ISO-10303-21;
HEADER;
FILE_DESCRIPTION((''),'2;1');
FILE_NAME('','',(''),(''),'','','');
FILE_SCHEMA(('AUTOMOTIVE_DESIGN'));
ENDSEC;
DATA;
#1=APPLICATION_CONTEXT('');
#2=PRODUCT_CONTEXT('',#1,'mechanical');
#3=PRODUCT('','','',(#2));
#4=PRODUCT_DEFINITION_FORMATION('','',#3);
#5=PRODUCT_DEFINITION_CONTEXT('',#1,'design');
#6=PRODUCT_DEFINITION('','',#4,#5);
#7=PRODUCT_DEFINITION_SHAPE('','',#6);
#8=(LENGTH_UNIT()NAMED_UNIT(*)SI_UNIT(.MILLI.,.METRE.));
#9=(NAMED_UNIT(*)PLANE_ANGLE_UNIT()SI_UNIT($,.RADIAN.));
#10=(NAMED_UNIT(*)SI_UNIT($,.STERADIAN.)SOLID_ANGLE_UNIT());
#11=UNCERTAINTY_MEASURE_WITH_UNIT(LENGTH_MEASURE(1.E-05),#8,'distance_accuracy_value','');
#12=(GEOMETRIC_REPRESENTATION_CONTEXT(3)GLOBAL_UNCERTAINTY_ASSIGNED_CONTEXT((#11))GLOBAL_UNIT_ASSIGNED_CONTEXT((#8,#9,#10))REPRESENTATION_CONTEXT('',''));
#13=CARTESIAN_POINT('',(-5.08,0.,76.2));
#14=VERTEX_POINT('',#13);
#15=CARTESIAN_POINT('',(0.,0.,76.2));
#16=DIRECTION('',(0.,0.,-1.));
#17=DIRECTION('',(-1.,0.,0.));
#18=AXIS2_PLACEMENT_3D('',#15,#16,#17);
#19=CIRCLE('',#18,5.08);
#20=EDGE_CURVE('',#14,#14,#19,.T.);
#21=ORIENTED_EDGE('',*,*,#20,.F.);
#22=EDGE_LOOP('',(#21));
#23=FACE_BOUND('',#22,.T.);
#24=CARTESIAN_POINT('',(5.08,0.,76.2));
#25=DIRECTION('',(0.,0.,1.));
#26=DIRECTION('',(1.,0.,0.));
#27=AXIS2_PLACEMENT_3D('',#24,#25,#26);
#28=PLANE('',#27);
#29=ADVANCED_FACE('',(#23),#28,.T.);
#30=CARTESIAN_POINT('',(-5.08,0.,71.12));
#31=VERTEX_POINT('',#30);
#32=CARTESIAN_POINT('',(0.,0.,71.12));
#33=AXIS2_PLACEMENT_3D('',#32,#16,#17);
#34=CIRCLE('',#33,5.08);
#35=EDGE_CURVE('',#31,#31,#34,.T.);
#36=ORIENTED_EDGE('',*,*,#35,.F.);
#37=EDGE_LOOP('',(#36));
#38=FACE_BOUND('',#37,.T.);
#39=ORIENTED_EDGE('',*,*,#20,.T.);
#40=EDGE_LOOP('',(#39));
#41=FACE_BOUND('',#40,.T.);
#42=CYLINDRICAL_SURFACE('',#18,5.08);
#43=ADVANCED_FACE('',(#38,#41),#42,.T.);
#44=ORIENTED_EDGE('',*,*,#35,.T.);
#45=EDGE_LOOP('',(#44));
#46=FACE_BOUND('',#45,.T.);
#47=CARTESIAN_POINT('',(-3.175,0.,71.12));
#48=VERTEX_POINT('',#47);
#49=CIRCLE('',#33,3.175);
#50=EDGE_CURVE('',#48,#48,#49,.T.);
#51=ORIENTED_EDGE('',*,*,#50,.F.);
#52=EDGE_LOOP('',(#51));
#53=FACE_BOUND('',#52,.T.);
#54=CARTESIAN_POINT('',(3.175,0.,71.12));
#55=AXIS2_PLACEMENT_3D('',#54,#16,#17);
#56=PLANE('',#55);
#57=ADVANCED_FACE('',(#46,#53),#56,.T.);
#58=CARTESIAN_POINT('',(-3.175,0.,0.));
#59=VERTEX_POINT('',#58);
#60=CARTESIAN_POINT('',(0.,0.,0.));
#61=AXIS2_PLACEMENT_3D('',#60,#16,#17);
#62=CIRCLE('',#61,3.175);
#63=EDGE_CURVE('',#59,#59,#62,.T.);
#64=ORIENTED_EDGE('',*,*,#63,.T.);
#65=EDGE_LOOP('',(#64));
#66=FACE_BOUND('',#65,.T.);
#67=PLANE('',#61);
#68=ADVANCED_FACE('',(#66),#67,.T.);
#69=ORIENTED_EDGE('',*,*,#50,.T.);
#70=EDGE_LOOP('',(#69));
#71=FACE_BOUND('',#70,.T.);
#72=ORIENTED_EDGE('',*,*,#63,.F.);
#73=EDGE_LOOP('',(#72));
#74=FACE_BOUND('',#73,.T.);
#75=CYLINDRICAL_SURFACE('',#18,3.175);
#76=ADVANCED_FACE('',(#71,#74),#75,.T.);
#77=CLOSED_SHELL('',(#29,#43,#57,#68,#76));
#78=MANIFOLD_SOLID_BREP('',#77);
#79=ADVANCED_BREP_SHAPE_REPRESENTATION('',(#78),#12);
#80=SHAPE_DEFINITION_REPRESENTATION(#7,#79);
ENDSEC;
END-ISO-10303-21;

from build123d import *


with BuildPart() as part:
    # Sketch1 → Revolve1 (revolve)
    with BuildSketch(Plane.XZ, mode=Mode.PRIVATE) as revolve1_sk:
        Polygon((5.08, 76.2), (0, 76.2), (0, 0), (3.175, 0), (3.175, 71.12), (5.08, 71.12), align=None)
    revolve(revolve1_sk.sketch.rotate(Axis((0, 0, 76.2), (0, 0, -1)), 180), axis=Axis((0, 0, 76.2), (0, 0, -1)))


solid = part.part
